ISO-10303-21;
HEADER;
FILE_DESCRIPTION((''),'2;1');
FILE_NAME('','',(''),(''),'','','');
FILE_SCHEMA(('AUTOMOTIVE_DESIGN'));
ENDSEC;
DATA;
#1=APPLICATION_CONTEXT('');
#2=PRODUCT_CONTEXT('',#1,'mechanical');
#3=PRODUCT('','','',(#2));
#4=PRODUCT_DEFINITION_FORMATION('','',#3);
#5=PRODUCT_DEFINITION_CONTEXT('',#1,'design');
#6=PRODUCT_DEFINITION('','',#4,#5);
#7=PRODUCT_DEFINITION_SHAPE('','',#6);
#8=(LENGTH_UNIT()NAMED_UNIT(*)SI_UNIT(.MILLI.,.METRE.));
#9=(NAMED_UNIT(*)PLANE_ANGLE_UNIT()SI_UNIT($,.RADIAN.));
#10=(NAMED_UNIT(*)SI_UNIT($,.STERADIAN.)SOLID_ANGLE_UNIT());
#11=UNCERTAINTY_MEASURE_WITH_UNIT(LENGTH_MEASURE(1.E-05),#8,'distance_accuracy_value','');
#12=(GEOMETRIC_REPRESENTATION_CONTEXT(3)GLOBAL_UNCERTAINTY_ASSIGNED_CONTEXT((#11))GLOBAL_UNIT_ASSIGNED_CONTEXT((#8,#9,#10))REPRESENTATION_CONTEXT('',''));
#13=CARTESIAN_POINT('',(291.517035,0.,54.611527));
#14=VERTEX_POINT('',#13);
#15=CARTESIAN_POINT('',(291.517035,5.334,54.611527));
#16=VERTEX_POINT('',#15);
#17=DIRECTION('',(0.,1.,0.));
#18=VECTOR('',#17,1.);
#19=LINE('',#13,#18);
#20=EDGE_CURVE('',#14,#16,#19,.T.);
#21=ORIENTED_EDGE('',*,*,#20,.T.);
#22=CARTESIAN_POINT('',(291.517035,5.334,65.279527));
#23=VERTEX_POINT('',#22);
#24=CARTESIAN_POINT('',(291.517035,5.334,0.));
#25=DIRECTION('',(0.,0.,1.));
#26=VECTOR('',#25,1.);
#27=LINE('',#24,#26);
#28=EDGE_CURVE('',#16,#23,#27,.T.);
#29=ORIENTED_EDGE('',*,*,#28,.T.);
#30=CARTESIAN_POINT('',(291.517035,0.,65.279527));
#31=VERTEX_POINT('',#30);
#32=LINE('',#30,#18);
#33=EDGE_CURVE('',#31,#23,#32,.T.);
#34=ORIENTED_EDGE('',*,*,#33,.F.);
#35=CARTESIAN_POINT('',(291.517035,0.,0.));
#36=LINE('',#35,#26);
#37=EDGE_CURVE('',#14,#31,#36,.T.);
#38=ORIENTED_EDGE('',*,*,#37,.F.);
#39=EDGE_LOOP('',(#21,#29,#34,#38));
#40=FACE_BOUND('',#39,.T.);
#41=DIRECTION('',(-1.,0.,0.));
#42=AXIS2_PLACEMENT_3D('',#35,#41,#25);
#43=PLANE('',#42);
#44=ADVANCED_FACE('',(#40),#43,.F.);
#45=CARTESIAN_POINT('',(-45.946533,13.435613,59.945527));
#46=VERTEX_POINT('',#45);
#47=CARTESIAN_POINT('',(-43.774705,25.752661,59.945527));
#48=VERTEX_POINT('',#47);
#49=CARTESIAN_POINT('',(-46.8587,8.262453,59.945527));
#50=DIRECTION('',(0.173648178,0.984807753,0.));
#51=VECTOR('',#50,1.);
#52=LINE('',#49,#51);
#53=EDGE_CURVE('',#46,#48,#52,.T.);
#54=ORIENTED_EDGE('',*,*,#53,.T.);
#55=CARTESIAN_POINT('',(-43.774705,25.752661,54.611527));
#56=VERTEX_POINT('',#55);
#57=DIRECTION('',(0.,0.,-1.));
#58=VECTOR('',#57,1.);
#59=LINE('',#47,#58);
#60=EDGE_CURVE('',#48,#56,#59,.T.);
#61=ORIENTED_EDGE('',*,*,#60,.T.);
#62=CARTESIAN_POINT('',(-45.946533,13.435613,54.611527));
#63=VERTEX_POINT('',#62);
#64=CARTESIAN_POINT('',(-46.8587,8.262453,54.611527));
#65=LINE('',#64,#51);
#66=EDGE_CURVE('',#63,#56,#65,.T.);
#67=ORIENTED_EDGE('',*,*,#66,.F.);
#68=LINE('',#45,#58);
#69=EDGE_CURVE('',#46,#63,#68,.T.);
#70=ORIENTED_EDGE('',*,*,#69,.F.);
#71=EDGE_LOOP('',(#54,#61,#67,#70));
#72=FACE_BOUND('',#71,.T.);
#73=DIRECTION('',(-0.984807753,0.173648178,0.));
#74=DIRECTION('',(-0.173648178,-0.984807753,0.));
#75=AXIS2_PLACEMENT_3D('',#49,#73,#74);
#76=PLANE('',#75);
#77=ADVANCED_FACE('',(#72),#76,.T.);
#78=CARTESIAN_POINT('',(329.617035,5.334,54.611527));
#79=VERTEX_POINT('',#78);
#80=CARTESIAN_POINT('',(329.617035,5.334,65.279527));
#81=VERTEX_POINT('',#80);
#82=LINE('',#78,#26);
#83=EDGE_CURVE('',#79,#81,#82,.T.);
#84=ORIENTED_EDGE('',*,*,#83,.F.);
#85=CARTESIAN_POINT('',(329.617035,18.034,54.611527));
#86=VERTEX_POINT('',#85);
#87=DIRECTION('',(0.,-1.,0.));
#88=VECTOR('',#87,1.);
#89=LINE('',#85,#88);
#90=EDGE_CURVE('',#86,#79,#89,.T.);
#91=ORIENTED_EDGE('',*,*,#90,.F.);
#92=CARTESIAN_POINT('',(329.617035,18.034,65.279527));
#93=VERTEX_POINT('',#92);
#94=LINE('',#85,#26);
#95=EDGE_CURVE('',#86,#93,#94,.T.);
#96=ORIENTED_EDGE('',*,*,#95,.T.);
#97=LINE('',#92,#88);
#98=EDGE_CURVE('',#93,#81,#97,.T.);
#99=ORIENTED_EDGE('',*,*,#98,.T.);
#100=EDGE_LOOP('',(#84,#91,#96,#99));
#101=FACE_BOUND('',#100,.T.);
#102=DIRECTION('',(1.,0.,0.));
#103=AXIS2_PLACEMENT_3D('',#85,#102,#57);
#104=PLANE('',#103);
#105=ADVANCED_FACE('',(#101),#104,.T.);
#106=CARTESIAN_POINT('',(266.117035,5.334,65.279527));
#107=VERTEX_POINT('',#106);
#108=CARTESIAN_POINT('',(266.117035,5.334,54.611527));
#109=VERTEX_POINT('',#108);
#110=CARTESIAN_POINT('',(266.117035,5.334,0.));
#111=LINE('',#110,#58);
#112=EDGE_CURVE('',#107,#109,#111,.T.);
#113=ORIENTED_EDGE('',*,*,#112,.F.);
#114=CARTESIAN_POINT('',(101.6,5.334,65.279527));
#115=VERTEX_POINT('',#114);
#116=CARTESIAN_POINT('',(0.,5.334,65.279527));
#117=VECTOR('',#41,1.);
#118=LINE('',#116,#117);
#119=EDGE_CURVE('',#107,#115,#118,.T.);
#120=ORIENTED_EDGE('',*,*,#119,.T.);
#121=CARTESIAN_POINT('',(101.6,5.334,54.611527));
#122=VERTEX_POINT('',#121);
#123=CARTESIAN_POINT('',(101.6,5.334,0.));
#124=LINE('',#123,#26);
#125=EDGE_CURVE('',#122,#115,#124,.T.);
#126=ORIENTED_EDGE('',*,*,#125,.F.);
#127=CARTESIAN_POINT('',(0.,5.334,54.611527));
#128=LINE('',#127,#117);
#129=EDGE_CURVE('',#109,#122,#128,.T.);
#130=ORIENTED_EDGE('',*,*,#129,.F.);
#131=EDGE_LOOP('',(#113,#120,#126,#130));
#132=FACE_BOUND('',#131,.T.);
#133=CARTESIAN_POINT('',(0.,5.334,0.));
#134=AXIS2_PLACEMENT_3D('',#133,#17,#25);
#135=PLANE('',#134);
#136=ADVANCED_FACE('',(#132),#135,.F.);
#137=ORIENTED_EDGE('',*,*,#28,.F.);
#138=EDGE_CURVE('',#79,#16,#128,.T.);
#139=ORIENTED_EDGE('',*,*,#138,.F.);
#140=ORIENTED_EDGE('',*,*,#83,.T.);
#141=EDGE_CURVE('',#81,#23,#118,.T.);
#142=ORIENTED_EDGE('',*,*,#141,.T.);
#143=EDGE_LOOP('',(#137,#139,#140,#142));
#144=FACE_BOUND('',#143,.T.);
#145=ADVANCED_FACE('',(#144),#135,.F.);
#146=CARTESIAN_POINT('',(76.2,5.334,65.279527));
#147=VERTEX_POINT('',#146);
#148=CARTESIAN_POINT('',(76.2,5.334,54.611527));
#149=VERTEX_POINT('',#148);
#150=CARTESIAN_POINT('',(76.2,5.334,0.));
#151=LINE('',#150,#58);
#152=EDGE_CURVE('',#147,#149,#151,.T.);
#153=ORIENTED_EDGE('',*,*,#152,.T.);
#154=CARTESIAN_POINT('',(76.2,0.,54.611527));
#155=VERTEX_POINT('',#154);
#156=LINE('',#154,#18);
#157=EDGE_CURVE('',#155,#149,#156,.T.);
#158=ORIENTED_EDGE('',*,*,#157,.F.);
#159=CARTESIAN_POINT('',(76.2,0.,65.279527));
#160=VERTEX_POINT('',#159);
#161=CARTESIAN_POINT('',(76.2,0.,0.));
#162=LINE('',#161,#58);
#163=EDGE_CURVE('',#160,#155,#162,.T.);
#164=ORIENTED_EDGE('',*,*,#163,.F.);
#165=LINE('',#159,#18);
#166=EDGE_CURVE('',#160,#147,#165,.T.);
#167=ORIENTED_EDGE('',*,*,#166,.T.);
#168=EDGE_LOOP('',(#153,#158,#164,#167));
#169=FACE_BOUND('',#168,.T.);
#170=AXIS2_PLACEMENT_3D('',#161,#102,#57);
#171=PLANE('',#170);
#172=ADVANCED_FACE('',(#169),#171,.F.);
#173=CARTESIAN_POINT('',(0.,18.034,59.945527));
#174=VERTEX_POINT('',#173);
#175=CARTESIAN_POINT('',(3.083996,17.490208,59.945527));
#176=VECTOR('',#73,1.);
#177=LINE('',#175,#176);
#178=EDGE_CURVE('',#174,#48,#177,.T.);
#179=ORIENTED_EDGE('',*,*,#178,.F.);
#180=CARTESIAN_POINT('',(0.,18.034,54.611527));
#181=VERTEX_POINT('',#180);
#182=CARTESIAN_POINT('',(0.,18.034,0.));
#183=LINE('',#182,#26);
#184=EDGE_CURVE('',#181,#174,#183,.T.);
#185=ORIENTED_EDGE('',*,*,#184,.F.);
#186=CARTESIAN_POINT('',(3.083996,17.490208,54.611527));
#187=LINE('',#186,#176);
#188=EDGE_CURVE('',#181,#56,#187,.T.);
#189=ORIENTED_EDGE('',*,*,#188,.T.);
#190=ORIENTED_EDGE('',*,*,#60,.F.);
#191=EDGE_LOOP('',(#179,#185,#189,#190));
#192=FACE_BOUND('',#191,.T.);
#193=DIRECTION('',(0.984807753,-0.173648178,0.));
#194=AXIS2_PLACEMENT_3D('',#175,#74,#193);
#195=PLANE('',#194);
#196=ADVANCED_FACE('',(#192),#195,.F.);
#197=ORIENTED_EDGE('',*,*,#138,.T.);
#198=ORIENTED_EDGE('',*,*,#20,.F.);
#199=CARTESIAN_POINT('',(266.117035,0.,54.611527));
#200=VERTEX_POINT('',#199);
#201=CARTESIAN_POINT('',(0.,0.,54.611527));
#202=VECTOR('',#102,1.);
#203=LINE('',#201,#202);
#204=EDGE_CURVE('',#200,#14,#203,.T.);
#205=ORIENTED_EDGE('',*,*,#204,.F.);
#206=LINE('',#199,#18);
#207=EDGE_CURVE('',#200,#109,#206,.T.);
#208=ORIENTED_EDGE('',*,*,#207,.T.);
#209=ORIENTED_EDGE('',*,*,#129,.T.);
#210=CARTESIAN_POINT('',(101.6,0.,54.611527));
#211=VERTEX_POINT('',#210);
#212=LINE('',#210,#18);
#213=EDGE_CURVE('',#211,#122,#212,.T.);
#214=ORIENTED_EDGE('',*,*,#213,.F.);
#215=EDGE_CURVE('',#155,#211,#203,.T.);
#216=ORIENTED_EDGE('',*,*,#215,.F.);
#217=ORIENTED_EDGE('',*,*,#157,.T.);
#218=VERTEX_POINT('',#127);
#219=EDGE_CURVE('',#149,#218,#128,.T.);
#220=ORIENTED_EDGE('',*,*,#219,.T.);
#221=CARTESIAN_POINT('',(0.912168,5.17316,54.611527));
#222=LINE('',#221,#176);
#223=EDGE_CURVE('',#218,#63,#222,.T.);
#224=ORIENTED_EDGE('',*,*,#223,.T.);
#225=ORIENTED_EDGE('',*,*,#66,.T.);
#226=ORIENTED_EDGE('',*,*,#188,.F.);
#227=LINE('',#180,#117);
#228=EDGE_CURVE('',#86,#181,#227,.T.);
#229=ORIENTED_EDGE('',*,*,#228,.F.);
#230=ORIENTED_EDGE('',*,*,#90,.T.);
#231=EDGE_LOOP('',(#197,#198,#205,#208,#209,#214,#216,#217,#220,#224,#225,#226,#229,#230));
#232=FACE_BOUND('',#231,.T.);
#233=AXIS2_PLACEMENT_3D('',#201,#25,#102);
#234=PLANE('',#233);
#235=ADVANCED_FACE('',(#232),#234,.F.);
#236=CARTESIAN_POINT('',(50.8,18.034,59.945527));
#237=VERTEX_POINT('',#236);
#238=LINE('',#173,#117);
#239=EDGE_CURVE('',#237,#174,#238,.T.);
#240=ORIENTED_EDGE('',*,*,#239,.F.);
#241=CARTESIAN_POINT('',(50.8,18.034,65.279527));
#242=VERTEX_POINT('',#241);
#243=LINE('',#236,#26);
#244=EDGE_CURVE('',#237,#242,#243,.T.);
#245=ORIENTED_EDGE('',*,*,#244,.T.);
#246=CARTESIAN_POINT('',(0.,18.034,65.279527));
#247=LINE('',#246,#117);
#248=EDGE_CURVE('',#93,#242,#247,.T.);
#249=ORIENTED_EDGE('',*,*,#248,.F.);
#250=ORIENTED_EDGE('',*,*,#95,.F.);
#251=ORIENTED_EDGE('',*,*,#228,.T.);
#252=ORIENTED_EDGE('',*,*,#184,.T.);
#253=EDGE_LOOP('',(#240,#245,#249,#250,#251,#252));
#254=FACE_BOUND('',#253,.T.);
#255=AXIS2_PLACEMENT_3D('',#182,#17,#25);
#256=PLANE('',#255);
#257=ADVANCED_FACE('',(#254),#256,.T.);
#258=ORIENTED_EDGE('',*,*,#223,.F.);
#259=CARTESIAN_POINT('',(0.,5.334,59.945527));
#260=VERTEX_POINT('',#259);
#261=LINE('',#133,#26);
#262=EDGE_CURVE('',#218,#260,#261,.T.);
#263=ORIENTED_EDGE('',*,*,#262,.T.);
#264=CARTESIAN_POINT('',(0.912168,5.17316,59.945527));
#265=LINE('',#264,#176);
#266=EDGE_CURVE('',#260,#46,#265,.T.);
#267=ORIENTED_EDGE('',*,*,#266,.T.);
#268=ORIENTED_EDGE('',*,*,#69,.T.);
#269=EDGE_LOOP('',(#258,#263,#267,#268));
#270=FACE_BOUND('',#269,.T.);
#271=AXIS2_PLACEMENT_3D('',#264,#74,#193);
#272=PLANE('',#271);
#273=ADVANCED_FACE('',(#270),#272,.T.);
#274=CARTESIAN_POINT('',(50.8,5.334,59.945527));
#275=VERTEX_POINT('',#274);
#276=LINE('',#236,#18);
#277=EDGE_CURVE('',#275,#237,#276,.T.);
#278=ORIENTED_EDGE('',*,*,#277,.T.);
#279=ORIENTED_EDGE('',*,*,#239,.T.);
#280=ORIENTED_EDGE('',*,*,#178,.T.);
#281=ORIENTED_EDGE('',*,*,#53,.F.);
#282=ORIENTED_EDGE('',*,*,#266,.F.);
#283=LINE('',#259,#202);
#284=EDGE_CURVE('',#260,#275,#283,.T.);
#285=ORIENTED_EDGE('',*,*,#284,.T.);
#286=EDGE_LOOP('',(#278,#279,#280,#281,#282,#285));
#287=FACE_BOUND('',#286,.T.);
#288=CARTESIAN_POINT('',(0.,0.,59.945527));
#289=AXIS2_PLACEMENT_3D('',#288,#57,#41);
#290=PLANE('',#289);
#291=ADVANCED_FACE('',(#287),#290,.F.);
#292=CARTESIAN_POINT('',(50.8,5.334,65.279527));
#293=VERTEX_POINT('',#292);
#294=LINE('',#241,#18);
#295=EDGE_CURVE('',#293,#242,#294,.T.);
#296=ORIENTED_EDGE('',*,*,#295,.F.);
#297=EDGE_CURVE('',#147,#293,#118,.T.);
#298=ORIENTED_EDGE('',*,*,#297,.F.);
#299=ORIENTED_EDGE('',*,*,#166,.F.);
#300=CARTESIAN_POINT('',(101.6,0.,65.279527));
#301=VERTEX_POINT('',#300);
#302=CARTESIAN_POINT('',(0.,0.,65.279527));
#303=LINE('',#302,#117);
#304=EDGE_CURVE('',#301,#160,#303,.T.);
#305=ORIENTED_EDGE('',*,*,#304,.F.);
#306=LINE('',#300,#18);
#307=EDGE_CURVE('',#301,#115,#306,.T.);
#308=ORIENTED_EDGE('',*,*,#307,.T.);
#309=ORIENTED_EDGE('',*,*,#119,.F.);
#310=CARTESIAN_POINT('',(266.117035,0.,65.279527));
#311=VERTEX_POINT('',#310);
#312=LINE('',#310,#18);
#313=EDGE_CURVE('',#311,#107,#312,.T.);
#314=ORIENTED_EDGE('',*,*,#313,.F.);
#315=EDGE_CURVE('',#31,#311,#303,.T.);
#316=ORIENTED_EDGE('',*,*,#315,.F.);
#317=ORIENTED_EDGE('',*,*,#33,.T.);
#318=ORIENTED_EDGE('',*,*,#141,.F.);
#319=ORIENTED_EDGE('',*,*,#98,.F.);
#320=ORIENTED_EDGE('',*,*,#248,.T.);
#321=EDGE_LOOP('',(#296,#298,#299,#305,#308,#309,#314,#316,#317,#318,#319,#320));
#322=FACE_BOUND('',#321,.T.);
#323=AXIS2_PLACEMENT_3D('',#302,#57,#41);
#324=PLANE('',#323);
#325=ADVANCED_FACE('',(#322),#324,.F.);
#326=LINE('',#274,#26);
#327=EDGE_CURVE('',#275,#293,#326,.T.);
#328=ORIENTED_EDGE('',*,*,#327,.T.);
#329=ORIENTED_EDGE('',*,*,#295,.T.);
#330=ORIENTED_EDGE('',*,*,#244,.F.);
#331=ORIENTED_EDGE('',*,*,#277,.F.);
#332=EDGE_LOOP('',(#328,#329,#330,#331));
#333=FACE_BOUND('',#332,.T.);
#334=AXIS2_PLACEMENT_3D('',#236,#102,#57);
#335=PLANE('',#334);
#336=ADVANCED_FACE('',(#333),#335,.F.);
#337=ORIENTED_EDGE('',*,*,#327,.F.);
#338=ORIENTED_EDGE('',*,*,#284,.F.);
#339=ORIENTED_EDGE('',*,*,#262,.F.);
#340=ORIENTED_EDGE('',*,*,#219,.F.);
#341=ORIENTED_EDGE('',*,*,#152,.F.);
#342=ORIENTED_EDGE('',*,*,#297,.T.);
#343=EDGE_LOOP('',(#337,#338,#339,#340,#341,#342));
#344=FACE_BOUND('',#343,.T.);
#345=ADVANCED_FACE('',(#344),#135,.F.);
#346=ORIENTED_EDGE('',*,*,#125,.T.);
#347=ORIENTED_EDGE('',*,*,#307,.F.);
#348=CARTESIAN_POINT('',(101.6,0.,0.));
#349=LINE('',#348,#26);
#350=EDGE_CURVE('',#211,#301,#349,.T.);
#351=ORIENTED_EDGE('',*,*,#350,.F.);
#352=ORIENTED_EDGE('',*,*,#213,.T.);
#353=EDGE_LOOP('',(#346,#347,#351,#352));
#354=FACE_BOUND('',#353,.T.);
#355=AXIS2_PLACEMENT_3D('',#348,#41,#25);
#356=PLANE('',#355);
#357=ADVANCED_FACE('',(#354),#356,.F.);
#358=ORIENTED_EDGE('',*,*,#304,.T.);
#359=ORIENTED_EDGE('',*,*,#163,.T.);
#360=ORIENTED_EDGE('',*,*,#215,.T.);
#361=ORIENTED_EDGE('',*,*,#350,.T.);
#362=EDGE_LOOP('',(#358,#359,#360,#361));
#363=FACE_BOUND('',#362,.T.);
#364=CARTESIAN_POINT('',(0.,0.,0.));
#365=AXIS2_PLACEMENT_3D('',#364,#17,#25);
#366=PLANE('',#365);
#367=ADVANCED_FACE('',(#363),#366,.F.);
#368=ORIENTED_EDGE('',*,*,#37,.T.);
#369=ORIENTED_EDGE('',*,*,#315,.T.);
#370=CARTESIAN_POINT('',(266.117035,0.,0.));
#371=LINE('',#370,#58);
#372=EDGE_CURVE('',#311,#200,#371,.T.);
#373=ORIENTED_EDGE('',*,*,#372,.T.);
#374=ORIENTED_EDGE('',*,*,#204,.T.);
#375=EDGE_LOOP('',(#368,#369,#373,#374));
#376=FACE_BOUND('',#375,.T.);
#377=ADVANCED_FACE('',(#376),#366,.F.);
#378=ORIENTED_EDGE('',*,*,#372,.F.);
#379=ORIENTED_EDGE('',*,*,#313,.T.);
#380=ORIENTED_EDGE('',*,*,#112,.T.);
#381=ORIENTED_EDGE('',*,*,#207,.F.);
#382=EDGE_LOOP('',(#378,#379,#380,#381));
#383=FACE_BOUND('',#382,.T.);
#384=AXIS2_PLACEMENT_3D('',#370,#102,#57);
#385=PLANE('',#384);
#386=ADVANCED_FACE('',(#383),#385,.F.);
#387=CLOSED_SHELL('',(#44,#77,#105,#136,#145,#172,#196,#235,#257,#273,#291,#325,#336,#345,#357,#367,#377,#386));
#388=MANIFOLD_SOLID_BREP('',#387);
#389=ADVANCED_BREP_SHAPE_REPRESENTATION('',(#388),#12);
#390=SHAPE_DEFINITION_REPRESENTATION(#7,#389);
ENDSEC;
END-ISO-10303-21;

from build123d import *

# Parameters (mm, degrees)
SKETCH1_W             = 25.4
SKETCH1_H             = 10.668
BOSS_EXTRUDE1_DEPTH   = 5.334
BOSS_EXTRUDE1_2_DEPTH = 5.334
SKETCH1_3_W           = 329.617035208
SKETCH1_3_H           = 10.668
BOSS_EXTRUDE2_DEPTH   = 12.7
DIHEDRAL_ANGLE_DEPTH  = 5.334
SKETCH3_W             = 50.8
SKETCH3_H             = 12.7
CUT_EXTRUDE1_DEPTH    = 5.334


with BuildPart() as part:
    # Sketch1 → Boss-Extrude1 (new body)
    with BuildSketch(Plane(origin=(0, 5.334, 0), x_dir=(1, 0, 0), z_dir=(0, 1, 0))):
        with Locations((88.9, -59.945526857)):
            Rectangle(SKETCH1_W, SKETCH1_H)
    extrude(amount=-BOSS_EXTRUDE1_DEPTH)



with BuildPart() as body_2:
    # Sketch1 → Boss-Extrude1 2 (new body)
    with BuildSketch(Plane(origin=(0, 5.334, 0), x_dir=(1, 0, 0), z_dir=(0, 1, 0))):
        with Locations((278.817035208, -59.945526857)):
            Rectangle(SKETCH1_W, SKETCH1_H)
    extrude(amount=-BOSS_EXTRUDE1_2_DEPTH)


with BuildPart() as part_1:
    add(part.part)

    add(body_2.part)  # Boss-Extrude2 merges body 2
    # Sketch1<3> → Boss-Extrude2 (add)
    with BuildSketch(Plane(origin=(0, 5.334, 0), x_dir=(1, 0, 0), z_dir=(0, 1, 0))):
        with Locations((164.808517604, -59.945526857)):
            Rectangle(SKETCH1_3_W, SKETCH1_3_H)
    extrude(amount=BOSS_EXTRUDE2_DEPTH)

    # Sketch2 → Dihedral Angle (add)
    with BuildSketch(Plane(origin=(0, 0, 54.611526857), x_dir=(-1, 0, 0), z_dir=(0, 0, -1))):
        Polygon((0, 5.334), (45.946532532, 13.435613355), (43.774704621, 25.752661497), (0, 18.034), align=None)
    extrude(amount=-DIHEDRAL_ANGLE_DEPTH)

    # Sketch3 → Cut-Extrude1 (cut)
    with BuildSketch(Plane.XY.offset(65.279526857)):
        with Locations((25.4, 11.684)):
            Rectangle(SKETCH3_W, SKETCH3_H)
    extrude(amount=-CUT_EXTRUDE1_DEPTH, mode=Mode.SUBTRACT)


solid = part_1.part
